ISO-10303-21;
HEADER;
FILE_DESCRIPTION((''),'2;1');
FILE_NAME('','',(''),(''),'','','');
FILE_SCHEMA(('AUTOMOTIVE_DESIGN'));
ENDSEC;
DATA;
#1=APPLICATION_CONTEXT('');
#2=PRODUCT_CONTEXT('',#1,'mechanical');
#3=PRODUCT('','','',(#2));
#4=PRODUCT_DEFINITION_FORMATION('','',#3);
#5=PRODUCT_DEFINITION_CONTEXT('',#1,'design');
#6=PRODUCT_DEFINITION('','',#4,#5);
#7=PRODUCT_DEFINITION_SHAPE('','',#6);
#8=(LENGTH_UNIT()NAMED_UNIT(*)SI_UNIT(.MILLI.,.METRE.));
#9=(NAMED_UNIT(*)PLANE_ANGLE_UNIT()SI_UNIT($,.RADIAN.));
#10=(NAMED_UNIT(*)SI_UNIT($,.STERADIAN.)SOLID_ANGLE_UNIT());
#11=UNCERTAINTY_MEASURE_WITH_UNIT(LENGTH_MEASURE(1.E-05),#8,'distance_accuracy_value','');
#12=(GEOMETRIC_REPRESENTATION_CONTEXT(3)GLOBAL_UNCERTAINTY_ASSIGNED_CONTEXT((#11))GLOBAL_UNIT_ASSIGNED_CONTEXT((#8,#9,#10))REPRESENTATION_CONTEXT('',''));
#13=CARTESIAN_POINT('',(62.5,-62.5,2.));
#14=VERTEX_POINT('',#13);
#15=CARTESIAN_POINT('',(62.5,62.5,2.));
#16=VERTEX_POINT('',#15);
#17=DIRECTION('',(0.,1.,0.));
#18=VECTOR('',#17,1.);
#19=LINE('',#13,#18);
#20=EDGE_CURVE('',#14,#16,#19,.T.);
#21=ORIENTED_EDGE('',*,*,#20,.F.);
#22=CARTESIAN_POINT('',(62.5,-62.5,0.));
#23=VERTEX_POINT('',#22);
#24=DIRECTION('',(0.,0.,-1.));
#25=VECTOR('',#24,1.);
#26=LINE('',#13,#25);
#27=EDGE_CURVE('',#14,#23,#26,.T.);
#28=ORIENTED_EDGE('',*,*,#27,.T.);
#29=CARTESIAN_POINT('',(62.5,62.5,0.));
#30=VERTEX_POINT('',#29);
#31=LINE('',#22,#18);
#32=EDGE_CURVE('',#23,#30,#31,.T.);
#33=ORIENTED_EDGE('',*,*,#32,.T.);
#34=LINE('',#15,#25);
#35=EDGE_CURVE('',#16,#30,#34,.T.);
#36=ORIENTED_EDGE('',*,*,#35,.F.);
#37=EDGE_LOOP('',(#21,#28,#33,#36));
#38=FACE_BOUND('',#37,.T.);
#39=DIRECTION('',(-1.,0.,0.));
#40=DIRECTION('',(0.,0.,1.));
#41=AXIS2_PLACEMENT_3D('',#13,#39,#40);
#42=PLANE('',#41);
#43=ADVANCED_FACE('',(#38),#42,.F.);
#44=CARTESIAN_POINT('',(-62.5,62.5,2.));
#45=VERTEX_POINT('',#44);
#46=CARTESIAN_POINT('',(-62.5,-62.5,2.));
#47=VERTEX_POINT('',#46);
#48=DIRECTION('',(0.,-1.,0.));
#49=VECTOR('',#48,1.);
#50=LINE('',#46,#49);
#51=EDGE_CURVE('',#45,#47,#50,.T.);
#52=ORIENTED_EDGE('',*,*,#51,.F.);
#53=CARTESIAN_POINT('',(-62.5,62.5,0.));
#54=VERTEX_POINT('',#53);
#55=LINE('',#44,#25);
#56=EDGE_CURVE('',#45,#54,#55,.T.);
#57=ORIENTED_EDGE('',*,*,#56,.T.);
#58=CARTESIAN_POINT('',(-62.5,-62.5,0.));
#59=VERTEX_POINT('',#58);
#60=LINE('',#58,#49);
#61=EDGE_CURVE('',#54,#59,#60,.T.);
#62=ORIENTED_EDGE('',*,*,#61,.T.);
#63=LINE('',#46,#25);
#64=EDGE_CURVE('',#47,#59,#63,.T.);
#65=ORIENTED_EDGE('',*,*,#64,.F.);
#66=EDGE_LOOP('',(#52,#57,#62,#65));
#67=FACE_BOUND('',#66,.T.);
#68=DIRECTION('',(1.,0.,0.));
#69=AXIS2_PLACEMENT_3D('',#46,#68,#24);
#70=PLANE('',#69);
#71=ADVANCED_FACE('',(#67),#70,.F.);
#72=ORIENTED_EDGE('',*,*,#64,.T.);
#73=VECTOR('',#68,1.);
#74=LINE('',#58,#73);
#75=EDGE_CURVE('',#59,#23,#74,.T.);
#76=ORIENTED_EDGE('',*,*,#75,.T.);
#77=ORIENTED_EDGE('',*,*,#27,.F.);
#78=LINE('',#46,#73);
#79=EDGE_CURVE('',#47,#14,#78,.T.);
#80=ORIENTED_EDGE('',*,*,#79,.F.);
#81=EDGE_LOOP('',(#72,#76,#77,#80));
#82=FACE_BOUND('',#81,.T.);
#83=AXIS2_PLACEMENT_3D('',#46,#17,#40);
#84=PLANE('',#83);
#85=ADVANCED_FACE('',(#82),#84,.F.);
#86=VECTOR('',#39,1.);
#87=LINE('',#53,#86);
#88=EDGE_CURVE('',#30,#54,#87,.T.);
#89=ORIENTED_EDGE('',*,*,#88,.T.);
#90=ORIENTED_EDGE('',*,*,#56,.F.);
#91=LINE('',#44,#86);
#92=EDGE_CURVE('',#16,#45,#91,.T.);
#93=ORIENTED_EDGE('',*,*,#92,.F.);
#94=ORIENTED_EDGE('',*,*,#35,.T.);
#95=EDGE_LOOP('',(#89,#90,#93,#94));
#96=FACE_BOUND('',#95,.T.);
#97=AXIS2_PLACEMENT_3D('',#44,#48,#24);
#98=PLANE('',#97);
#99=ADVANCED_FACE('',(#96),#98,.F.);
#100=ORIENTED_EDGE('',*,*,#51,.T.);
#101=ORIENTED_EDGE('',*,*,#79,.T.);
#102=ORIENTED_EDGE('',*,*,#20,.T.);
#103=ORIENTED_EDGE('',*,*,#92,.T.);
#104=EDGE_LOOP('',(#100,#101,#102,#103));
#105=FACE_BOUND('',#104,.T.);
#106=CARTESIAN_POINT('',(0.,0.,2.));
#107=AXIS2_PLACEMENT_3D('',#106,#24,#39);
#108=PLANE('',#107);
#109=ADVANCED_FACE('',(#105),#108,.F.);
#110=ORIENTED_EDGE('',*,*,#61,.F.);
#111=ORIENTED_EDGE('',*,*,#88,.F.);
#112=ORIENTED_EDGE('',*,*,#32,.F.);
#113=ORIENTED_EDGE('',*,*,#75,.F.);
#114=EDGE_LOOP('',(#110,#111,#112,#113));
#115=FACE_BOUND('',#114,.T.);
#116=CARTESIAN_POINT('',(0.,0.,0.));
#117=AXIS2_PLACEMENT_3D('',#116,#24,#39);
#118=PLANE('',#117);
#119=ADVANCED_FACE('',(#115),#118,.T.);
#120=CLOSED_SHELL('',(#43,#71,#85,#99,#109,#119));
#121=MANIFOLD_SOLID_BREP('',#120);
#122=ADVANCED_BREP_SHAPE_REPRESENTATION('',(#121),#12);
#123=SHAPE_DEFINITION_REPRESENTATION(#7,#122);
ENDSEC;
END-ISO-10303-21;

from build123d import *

# Parameters (mm, degrees)
ESBO_O1_W                = 125
ESBO_O1_H                = 125
RESSALTO_EXTRUS_O1_DEPTH = 2


with BuildPart() as part:
    # Esboço1 → Ressalto-extrusão1 (new body)
    with BuildSketch(Plane.XY):
        Rectangle(ESBO_O1_W, ESBO_O1_H)
    extrude(amount=RESSALTO_EXTRUS_O1_DEPTH)


solid = part.part
